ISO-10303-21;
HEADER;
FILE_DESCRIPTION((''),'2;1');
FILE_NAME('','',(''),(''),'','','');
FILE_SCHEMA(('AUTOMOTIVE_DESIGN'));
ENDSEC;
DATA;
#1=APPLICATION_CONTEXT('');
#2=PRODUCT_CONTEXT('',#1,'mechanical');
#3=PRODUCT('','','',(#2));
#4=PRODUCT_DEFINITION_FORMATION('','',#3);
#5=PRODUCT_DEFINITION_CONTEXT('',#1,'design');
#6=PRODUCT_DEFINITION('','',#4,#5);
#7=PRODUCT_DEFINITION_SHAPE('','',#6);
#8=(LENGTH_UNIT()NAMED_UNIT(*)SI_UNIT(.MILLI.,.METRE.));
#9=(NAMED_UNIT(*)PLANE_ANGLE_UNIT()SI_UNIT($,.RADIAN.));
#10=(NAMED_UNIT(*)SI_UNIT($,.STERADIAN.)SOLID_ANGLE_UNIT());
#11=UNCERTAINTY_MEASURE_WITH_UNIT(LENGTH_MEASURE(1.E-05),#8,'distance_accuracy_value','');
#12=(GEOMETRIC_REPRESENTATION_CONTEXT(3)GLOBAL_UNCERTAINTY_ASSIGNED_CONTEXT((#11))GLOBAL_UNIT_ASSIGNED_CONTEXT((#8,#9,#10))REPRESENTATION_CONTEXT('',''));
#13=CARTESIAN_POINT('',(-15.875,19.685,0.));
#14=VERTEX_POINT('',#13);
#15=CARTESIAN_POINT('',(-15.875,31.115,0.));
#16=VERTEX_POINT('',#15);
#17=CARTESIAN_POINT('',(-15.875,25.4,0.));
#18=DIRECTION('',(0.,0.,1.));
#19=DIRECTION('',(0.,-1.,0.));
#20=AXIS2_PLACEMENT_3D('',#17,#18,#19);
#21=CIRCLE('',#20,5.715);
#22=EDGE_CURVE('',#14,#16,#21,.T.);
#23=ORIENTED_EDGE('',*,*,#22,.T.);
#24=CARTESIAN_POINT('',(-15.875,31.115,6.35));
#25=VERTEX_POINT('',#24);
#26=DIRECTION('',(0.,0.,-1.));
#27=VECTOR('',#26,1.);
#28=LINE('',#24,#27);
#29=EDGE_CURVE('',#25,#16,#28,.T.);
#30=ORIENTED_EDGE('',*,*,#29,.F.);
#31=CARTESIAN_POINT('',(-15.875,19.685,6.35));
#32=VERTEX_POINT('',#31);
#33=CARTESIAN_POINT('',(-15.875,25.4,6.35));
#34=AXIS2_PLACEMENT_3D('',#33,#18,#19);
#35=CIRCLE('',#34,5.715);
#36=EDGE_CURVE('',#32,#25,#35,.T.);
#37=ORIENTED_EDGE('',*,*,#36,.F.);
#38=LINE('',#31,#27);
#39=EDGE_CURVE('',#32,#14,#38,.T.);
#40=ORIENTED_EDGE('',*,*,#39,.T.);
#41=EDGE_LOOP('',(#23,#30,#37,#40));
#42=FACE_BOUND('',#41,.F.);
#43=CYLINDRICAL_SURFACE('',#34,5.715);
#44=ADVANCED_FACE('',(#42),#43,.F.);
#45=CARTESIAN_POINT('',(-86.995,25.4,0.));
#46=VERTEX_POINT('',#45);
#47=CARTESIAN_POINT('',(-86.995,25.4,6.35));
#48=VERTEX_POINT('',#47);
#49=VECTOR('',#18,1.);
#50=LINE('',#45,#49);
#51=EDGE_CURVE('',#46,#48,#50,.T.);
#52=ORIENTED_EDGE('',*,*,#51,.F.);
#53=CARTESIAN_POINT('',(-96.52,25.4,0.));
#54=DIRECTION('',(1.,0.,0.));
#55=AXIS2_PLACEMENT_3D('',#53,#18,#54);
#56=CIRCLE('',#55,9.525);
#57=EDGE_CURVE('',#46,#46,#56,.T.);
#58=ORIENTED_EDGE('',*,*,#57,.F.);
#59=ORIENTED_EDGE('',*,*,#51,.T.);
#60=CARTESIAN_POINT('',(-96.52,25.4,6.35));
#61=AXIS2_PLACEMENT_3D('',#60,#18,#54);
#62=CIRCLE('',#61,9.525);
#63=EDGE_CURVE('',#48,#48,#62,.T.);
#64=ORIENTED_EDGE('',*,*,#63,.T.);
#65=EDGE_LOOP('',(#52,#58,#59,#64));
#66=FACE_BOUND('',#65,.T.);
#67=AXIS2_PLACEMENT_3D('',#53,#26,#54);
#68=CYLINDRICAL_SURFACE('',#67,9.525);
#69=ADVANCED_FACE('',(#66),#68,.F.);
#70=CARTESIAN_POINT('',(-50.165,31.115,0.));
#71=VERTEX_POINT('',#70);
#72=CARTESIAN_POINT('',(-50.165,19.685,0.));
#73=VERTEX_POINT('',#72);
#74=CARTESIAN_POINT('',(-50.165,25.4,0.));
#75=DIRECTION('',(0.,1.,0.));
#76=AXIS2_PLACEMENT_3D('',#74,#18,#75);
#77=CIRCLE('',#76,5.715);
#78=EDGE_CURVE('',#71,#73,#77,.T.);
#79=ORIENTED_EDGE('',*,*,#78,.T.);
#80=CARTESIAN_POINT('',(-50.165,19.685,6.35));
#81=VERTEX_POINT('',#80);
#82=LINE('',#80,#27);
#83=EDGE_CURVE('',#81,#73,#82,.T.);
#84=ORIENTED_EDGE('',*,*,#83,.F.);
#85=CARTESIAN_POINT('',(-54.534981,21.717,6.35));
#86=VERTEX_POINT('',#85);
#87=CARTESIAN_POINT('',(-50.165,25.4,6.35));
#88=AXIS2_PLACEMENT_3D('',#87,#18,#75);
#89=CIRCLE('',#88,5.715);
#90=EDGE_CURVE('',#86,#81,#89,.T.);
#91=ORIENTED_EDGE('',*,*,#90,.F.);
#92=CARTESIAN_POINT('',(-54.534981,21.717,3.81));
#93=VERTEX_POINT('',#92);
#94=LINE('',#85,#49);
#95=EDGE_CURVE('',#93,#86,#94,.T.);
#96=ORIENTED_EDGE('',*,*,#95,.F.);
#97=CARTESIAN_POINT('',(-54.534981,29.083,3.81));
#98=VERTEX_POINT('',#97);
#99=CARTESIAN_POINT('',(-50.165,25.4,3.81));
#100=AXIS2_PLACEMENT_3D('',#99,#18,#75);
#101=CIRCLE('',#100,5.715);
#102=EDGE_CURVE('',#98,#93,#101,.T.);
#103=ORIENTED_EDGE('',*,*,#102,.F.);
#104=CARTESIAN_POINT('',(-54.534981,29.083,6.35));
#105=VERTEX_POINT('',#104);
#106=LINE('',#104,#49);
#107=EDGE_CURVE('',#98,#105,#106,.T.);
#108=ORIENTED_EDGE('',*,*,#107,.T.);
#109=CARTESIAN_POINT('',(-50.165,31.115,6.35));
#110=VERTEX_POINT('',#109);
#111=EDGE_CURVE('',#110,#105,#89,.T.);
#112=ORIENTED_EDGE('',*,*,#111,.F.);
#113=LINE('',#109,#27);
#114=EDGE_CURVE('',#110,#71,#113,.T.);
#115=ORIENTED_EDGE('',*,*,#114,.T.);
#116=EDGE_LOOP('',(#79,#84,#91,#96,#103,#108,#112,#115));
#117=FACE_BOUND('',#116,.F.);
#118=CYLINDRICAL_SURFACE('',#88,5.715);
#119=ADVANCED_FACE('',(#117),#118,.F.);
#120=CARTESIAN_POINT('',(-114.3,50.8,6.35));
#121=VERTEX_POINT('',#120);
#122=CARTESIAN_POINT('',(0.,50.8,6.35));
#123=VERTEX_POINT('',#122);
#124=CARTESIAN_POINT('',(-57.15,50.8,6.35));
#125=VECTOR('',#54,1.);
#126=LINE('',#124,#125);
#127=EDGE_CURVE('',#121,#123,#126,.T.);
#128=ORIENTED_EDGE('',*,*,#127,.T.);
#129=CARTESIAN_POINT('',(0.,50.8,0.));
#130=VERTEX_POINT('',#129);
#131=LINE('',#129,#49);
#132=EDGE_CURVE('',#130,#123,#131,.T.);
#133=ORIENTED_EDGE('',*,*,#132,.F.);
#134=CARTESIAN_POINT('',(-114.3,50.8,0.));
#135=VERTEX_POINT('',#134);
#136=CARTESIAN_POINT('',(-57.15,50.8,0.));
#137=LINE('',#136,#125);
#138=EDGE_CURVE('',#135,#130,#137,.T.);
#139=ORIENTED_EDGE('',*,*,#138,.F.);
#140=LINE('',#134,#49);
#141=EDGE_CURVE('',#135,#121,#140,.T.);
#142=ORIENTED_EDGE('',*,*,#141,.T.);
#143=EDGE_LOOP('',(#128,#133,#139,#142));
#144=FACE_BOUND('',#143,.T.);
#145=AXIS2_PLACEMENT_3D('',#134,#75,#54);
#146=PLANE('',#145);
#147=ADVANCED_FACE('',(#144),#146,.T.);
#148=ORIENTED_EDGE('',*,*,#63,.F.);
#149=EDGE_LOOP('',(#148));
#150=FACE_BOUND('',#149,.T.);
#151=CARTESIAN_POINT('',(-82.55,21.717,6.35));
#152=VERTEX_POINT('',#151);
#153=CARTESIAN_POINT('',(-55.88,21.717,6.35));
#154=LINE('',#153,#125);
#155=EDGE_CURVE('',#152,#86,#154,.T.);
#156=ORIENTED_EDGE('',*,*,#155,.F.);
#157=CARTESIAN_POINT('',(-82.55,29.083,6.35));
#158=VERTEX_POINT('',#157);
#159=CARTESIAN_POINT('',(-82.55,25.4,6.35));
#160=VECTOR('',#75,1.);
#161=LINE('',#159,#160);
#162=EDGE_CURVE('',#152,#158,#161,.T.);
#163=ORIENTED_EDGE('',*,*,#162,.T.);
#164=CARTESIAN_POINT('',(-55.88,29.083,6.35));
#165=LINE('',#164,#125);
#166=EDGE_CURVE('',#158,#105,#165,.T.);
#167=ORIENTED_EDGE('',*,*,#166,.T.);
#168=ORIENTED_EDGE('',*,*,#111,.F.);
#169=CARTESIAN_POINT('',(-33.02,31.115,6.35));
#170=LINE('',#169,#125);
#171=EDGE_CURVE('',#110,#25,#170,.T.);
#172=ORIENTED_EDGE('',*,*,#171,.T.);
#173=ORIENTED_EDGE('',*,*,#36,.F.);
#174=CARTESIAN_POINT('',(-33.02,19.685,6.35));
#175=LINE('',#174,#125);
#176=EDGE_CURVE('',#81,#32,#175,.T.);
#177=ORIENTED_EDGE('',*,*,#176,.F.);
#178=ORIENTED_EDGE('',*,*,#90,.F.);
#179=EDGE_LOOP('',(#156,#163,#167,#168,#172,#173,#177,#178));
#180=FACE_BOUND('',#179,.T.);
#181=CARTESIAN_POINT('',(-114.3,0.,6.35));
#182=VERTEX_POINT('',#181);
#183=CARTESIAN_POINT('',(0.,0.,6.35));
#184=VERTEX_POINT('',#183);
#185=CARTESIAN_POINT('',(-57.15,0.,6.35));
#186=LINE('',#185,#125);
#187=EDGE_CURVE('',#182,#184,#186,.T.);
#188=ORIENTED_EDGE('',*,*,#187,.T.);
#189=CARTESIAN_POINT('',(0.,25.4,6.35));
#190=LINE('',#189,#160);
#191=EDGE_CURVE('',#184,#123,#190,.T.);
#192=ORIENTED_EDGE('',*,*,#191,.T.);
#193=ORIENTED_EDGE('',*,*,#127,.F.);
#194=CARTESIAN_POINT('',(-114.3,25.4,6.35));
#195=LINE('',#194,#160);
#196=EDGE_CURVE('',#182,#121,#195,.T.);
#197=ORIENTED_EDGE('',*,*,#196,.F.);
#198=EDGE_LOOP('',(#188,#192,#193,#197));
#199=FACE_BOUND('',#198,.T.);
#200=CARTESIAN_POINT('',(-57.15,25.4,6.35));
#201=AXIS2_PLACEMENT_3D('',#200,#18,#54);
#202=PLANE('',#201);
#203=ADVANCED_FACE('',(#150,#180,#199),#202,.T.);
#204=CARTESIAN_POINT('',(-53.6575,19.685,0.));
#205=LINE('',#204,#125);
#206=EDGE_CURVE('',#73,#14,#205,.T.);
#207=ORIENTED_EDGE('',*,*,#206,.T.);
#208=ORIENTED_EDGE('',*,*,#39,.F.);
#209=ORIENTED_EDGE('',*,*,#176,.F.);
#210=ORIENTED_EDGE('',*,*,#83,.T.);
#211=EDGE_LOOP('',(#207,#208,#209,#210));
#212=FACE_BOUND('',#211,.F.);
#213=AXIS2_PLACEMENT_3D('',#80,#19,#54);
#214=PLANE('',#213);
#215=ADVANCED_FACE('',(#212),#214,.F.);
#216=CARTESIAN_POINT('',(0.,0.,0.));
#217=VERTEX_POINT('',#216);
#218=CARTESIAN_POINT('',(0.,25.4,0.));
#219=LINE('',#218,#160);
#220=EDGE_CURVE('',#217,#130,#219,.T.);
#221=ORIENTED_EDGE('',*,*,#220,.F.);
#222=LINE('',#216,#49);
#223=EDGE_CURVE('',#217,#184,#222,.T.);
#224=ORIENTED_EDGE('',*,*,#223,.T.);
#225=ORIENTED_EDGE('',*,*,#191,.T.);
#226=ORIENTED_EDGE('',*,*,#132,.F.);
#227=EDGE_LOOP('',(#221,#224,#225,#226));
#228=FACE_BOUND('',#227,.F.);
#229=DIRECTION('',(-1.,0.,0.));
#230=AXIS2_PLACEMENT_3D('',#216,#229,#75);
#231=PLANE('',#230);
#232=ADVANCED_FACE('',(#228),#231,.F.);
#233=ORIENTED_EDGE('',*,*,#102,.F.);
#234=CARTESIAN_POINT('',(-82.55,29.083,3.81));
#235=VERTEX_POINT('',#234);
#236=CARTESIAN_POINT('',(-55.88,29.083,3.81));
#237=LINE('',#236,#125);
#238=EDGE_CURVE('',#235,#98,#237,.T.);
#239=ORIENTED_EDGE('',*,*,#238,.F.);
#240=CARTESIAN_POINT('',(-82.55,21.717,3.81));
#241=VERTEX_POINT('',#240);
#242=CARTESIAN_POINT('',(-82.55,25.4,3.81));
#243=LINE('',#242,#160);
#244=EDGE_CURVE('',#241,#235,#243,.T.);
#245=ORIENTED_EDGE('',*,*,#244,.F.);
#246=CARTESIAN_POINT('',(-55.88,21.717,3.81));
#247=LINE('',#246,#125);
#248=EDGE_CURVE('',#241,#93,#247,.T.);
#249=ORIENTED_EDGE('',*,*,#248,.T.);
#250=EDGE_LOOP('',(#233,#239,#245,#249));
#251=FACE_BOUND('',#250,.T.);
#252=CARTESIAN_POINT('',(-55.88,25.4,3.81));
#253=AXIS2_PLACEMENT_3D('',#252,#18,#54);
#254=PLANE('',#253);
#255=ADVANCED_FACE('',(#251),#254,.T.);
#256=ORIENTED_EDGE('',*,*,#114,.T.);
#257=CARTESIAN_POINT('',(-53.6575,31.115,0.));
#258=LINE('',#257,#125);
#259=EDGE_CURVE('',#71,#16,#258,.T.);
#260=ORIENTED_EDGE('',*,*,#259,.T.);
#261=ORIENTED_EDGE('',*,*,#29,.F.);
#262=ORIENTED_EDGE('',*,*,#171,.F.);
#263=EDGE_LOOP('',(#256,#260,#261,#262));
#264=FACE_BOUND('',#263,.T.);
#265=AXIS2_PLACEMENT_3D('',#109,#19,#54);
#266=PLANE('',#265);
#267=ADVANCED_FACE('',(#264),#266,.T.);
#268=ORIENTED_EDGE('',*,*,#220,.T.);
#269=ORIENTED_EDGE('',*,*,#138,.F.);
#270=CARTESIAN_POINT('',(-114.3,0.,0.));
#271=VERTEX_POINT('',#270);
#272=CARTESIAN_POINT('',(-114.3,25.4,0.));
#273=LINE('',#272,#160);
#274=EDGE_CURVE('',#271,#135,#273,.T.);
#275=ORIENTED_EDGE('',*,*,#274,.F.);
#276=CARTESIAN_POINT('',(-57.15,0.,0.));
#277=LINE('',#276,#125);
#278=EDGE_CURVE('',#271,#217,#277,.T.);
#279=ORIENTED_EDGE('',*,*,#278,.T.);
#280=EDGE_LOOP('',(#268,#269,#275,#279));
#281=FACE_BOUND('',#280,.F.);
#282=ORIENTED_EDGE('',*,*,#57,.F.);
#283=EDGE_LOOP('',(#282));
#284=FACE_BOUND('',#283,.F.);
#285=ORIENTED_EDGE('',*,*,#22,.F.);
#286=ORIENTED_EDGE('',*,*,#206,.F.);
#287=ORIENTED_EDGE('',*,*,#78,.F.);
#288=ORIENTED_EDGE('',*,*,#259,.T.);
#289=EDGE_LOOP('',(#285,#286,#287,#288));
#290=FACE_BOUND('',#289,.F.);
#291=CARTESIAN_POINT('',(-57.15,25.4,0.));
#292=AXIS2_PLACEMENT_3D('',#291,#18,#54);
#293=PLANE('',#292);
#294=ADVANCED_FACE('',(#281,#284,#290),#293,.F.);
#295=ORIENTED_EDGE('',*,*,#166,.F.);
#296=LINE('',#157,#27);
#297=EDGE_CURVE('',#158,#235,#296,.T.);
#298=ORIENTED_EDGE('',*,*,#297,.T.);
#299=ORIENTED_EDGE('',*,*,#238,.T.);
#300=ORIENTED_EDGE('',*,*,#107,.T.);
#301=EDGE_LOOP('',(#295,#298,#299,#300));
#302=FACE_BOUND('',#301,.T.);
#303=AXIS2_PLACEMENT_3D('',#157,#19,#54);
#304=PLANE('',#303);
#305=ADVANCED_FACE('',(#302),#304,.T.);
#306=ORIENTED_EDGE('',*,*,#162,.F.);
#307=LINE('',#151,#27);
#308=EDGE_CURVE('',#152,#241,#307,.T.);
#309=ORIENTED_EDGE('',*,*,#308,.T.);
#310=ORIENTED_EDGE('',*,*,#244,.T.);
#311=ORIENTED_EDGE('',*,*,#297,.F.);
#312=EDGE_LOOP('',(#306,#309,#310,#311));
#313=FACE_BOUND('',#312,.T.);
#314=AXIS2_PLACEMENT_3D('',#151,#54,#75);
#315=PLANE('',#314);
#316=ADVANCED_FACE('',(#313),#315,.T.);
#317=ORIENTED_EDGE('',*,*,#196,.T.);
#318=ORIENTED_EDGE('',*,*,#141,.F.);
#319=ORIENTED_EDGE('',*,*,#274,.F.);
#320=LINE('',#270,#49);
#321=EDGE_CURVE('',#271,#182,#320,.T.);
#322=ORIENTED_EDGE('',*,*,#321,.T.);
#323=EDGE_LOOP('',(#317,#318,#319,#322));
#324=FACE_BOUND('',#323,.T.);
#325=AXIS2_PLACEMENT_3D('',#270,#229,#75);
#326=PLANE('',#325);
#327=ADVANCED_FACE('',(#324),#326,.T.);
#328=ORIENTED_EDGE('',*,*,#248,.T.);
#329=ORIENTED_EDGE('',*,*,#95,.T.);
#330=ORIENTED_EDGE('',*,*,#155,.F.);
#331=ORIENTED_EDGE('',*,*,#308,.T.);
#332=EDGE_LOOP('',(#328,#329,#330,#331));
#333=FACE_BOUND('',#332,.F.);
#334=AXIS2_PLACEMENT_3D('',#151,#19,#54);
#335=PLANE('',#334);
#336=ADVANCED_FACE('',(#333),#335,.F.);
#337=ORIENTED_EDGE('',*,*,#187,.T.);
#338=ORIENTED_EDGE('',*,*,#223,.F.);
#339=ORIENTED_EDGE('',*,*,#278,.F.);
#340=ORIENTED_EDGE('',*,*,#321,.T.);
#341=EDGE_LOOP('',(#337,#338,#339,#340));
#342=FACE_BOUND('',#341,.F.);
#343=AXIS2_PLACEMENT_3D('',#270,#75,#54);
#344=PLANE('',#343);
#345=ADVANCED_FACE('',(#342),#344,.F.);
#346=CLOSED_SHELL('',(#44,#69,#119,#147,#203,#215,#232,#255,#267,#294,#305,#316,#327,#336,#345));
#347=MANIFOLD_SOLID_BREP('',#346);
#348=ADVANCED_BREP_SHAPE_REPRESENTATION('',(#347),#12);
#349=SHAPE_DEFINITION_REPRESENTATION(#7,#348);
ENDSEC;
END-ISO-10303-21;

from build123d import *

# Parameters (mm, degrees)
F0_W     = 114.3
F0_H     = 50.8
F0_R     = 9.525
F1_DEPTH = 6.35
F2_W     = 34.29
F2_H     = 11.43
F3_DEPTH = 25.4
F4_W     = 53.34
F4_H     = 7.366
F5_DEPTH = 2.54


with BuildPart() as f1:
    # F0 (on Top) → F1 (new body)
    with BuildSketch(Plane.XY):
        with Locations((-57.15, 25.4)):
            Rectangle(F0_W, F0_H)
        with Locations((-96.52, 25.4)):
            Circle(F0_R, mode=Mode.SUBTRACT)
    extrude(amount=F1_DEPTH)

    # F2 (on face) → F3 (cut)
    with BuildSketch(Plane.XY.offset(6.35)):
        with Locations((-33.02, 25.4)):
            Rectangle(F2_W, F2_H)
        with BuildLine():
            Line((-50.165, 19.685), (-50.165, 31.115))
            ThreePointArc((-50.165, 31.115), (-55.88, 25.4), (-50.165, 19.685))
        make_face()
        with BuildLine():
            ThreePointArc((-15.875, 19.685), (-10.16, 25.4), (-15.875, 31.115))
            Line((-15.875, 31.115), (-15.875, 19.685))
        make_face()
    extrude(amount=-F3_DEPTH, mode=Mode.SUBTRACT)

    # F4 (on face) → F5 (cut)
    with BuildSketch(Plane.XY.offset(6.35)):
        with Locations((-55.88, 25.4)):
            Rectangle(F4_W, F4_H)
    extrude(amount=-F5_DEPTH, mode=Mode.SUBTRACT)


solid = f1.part
